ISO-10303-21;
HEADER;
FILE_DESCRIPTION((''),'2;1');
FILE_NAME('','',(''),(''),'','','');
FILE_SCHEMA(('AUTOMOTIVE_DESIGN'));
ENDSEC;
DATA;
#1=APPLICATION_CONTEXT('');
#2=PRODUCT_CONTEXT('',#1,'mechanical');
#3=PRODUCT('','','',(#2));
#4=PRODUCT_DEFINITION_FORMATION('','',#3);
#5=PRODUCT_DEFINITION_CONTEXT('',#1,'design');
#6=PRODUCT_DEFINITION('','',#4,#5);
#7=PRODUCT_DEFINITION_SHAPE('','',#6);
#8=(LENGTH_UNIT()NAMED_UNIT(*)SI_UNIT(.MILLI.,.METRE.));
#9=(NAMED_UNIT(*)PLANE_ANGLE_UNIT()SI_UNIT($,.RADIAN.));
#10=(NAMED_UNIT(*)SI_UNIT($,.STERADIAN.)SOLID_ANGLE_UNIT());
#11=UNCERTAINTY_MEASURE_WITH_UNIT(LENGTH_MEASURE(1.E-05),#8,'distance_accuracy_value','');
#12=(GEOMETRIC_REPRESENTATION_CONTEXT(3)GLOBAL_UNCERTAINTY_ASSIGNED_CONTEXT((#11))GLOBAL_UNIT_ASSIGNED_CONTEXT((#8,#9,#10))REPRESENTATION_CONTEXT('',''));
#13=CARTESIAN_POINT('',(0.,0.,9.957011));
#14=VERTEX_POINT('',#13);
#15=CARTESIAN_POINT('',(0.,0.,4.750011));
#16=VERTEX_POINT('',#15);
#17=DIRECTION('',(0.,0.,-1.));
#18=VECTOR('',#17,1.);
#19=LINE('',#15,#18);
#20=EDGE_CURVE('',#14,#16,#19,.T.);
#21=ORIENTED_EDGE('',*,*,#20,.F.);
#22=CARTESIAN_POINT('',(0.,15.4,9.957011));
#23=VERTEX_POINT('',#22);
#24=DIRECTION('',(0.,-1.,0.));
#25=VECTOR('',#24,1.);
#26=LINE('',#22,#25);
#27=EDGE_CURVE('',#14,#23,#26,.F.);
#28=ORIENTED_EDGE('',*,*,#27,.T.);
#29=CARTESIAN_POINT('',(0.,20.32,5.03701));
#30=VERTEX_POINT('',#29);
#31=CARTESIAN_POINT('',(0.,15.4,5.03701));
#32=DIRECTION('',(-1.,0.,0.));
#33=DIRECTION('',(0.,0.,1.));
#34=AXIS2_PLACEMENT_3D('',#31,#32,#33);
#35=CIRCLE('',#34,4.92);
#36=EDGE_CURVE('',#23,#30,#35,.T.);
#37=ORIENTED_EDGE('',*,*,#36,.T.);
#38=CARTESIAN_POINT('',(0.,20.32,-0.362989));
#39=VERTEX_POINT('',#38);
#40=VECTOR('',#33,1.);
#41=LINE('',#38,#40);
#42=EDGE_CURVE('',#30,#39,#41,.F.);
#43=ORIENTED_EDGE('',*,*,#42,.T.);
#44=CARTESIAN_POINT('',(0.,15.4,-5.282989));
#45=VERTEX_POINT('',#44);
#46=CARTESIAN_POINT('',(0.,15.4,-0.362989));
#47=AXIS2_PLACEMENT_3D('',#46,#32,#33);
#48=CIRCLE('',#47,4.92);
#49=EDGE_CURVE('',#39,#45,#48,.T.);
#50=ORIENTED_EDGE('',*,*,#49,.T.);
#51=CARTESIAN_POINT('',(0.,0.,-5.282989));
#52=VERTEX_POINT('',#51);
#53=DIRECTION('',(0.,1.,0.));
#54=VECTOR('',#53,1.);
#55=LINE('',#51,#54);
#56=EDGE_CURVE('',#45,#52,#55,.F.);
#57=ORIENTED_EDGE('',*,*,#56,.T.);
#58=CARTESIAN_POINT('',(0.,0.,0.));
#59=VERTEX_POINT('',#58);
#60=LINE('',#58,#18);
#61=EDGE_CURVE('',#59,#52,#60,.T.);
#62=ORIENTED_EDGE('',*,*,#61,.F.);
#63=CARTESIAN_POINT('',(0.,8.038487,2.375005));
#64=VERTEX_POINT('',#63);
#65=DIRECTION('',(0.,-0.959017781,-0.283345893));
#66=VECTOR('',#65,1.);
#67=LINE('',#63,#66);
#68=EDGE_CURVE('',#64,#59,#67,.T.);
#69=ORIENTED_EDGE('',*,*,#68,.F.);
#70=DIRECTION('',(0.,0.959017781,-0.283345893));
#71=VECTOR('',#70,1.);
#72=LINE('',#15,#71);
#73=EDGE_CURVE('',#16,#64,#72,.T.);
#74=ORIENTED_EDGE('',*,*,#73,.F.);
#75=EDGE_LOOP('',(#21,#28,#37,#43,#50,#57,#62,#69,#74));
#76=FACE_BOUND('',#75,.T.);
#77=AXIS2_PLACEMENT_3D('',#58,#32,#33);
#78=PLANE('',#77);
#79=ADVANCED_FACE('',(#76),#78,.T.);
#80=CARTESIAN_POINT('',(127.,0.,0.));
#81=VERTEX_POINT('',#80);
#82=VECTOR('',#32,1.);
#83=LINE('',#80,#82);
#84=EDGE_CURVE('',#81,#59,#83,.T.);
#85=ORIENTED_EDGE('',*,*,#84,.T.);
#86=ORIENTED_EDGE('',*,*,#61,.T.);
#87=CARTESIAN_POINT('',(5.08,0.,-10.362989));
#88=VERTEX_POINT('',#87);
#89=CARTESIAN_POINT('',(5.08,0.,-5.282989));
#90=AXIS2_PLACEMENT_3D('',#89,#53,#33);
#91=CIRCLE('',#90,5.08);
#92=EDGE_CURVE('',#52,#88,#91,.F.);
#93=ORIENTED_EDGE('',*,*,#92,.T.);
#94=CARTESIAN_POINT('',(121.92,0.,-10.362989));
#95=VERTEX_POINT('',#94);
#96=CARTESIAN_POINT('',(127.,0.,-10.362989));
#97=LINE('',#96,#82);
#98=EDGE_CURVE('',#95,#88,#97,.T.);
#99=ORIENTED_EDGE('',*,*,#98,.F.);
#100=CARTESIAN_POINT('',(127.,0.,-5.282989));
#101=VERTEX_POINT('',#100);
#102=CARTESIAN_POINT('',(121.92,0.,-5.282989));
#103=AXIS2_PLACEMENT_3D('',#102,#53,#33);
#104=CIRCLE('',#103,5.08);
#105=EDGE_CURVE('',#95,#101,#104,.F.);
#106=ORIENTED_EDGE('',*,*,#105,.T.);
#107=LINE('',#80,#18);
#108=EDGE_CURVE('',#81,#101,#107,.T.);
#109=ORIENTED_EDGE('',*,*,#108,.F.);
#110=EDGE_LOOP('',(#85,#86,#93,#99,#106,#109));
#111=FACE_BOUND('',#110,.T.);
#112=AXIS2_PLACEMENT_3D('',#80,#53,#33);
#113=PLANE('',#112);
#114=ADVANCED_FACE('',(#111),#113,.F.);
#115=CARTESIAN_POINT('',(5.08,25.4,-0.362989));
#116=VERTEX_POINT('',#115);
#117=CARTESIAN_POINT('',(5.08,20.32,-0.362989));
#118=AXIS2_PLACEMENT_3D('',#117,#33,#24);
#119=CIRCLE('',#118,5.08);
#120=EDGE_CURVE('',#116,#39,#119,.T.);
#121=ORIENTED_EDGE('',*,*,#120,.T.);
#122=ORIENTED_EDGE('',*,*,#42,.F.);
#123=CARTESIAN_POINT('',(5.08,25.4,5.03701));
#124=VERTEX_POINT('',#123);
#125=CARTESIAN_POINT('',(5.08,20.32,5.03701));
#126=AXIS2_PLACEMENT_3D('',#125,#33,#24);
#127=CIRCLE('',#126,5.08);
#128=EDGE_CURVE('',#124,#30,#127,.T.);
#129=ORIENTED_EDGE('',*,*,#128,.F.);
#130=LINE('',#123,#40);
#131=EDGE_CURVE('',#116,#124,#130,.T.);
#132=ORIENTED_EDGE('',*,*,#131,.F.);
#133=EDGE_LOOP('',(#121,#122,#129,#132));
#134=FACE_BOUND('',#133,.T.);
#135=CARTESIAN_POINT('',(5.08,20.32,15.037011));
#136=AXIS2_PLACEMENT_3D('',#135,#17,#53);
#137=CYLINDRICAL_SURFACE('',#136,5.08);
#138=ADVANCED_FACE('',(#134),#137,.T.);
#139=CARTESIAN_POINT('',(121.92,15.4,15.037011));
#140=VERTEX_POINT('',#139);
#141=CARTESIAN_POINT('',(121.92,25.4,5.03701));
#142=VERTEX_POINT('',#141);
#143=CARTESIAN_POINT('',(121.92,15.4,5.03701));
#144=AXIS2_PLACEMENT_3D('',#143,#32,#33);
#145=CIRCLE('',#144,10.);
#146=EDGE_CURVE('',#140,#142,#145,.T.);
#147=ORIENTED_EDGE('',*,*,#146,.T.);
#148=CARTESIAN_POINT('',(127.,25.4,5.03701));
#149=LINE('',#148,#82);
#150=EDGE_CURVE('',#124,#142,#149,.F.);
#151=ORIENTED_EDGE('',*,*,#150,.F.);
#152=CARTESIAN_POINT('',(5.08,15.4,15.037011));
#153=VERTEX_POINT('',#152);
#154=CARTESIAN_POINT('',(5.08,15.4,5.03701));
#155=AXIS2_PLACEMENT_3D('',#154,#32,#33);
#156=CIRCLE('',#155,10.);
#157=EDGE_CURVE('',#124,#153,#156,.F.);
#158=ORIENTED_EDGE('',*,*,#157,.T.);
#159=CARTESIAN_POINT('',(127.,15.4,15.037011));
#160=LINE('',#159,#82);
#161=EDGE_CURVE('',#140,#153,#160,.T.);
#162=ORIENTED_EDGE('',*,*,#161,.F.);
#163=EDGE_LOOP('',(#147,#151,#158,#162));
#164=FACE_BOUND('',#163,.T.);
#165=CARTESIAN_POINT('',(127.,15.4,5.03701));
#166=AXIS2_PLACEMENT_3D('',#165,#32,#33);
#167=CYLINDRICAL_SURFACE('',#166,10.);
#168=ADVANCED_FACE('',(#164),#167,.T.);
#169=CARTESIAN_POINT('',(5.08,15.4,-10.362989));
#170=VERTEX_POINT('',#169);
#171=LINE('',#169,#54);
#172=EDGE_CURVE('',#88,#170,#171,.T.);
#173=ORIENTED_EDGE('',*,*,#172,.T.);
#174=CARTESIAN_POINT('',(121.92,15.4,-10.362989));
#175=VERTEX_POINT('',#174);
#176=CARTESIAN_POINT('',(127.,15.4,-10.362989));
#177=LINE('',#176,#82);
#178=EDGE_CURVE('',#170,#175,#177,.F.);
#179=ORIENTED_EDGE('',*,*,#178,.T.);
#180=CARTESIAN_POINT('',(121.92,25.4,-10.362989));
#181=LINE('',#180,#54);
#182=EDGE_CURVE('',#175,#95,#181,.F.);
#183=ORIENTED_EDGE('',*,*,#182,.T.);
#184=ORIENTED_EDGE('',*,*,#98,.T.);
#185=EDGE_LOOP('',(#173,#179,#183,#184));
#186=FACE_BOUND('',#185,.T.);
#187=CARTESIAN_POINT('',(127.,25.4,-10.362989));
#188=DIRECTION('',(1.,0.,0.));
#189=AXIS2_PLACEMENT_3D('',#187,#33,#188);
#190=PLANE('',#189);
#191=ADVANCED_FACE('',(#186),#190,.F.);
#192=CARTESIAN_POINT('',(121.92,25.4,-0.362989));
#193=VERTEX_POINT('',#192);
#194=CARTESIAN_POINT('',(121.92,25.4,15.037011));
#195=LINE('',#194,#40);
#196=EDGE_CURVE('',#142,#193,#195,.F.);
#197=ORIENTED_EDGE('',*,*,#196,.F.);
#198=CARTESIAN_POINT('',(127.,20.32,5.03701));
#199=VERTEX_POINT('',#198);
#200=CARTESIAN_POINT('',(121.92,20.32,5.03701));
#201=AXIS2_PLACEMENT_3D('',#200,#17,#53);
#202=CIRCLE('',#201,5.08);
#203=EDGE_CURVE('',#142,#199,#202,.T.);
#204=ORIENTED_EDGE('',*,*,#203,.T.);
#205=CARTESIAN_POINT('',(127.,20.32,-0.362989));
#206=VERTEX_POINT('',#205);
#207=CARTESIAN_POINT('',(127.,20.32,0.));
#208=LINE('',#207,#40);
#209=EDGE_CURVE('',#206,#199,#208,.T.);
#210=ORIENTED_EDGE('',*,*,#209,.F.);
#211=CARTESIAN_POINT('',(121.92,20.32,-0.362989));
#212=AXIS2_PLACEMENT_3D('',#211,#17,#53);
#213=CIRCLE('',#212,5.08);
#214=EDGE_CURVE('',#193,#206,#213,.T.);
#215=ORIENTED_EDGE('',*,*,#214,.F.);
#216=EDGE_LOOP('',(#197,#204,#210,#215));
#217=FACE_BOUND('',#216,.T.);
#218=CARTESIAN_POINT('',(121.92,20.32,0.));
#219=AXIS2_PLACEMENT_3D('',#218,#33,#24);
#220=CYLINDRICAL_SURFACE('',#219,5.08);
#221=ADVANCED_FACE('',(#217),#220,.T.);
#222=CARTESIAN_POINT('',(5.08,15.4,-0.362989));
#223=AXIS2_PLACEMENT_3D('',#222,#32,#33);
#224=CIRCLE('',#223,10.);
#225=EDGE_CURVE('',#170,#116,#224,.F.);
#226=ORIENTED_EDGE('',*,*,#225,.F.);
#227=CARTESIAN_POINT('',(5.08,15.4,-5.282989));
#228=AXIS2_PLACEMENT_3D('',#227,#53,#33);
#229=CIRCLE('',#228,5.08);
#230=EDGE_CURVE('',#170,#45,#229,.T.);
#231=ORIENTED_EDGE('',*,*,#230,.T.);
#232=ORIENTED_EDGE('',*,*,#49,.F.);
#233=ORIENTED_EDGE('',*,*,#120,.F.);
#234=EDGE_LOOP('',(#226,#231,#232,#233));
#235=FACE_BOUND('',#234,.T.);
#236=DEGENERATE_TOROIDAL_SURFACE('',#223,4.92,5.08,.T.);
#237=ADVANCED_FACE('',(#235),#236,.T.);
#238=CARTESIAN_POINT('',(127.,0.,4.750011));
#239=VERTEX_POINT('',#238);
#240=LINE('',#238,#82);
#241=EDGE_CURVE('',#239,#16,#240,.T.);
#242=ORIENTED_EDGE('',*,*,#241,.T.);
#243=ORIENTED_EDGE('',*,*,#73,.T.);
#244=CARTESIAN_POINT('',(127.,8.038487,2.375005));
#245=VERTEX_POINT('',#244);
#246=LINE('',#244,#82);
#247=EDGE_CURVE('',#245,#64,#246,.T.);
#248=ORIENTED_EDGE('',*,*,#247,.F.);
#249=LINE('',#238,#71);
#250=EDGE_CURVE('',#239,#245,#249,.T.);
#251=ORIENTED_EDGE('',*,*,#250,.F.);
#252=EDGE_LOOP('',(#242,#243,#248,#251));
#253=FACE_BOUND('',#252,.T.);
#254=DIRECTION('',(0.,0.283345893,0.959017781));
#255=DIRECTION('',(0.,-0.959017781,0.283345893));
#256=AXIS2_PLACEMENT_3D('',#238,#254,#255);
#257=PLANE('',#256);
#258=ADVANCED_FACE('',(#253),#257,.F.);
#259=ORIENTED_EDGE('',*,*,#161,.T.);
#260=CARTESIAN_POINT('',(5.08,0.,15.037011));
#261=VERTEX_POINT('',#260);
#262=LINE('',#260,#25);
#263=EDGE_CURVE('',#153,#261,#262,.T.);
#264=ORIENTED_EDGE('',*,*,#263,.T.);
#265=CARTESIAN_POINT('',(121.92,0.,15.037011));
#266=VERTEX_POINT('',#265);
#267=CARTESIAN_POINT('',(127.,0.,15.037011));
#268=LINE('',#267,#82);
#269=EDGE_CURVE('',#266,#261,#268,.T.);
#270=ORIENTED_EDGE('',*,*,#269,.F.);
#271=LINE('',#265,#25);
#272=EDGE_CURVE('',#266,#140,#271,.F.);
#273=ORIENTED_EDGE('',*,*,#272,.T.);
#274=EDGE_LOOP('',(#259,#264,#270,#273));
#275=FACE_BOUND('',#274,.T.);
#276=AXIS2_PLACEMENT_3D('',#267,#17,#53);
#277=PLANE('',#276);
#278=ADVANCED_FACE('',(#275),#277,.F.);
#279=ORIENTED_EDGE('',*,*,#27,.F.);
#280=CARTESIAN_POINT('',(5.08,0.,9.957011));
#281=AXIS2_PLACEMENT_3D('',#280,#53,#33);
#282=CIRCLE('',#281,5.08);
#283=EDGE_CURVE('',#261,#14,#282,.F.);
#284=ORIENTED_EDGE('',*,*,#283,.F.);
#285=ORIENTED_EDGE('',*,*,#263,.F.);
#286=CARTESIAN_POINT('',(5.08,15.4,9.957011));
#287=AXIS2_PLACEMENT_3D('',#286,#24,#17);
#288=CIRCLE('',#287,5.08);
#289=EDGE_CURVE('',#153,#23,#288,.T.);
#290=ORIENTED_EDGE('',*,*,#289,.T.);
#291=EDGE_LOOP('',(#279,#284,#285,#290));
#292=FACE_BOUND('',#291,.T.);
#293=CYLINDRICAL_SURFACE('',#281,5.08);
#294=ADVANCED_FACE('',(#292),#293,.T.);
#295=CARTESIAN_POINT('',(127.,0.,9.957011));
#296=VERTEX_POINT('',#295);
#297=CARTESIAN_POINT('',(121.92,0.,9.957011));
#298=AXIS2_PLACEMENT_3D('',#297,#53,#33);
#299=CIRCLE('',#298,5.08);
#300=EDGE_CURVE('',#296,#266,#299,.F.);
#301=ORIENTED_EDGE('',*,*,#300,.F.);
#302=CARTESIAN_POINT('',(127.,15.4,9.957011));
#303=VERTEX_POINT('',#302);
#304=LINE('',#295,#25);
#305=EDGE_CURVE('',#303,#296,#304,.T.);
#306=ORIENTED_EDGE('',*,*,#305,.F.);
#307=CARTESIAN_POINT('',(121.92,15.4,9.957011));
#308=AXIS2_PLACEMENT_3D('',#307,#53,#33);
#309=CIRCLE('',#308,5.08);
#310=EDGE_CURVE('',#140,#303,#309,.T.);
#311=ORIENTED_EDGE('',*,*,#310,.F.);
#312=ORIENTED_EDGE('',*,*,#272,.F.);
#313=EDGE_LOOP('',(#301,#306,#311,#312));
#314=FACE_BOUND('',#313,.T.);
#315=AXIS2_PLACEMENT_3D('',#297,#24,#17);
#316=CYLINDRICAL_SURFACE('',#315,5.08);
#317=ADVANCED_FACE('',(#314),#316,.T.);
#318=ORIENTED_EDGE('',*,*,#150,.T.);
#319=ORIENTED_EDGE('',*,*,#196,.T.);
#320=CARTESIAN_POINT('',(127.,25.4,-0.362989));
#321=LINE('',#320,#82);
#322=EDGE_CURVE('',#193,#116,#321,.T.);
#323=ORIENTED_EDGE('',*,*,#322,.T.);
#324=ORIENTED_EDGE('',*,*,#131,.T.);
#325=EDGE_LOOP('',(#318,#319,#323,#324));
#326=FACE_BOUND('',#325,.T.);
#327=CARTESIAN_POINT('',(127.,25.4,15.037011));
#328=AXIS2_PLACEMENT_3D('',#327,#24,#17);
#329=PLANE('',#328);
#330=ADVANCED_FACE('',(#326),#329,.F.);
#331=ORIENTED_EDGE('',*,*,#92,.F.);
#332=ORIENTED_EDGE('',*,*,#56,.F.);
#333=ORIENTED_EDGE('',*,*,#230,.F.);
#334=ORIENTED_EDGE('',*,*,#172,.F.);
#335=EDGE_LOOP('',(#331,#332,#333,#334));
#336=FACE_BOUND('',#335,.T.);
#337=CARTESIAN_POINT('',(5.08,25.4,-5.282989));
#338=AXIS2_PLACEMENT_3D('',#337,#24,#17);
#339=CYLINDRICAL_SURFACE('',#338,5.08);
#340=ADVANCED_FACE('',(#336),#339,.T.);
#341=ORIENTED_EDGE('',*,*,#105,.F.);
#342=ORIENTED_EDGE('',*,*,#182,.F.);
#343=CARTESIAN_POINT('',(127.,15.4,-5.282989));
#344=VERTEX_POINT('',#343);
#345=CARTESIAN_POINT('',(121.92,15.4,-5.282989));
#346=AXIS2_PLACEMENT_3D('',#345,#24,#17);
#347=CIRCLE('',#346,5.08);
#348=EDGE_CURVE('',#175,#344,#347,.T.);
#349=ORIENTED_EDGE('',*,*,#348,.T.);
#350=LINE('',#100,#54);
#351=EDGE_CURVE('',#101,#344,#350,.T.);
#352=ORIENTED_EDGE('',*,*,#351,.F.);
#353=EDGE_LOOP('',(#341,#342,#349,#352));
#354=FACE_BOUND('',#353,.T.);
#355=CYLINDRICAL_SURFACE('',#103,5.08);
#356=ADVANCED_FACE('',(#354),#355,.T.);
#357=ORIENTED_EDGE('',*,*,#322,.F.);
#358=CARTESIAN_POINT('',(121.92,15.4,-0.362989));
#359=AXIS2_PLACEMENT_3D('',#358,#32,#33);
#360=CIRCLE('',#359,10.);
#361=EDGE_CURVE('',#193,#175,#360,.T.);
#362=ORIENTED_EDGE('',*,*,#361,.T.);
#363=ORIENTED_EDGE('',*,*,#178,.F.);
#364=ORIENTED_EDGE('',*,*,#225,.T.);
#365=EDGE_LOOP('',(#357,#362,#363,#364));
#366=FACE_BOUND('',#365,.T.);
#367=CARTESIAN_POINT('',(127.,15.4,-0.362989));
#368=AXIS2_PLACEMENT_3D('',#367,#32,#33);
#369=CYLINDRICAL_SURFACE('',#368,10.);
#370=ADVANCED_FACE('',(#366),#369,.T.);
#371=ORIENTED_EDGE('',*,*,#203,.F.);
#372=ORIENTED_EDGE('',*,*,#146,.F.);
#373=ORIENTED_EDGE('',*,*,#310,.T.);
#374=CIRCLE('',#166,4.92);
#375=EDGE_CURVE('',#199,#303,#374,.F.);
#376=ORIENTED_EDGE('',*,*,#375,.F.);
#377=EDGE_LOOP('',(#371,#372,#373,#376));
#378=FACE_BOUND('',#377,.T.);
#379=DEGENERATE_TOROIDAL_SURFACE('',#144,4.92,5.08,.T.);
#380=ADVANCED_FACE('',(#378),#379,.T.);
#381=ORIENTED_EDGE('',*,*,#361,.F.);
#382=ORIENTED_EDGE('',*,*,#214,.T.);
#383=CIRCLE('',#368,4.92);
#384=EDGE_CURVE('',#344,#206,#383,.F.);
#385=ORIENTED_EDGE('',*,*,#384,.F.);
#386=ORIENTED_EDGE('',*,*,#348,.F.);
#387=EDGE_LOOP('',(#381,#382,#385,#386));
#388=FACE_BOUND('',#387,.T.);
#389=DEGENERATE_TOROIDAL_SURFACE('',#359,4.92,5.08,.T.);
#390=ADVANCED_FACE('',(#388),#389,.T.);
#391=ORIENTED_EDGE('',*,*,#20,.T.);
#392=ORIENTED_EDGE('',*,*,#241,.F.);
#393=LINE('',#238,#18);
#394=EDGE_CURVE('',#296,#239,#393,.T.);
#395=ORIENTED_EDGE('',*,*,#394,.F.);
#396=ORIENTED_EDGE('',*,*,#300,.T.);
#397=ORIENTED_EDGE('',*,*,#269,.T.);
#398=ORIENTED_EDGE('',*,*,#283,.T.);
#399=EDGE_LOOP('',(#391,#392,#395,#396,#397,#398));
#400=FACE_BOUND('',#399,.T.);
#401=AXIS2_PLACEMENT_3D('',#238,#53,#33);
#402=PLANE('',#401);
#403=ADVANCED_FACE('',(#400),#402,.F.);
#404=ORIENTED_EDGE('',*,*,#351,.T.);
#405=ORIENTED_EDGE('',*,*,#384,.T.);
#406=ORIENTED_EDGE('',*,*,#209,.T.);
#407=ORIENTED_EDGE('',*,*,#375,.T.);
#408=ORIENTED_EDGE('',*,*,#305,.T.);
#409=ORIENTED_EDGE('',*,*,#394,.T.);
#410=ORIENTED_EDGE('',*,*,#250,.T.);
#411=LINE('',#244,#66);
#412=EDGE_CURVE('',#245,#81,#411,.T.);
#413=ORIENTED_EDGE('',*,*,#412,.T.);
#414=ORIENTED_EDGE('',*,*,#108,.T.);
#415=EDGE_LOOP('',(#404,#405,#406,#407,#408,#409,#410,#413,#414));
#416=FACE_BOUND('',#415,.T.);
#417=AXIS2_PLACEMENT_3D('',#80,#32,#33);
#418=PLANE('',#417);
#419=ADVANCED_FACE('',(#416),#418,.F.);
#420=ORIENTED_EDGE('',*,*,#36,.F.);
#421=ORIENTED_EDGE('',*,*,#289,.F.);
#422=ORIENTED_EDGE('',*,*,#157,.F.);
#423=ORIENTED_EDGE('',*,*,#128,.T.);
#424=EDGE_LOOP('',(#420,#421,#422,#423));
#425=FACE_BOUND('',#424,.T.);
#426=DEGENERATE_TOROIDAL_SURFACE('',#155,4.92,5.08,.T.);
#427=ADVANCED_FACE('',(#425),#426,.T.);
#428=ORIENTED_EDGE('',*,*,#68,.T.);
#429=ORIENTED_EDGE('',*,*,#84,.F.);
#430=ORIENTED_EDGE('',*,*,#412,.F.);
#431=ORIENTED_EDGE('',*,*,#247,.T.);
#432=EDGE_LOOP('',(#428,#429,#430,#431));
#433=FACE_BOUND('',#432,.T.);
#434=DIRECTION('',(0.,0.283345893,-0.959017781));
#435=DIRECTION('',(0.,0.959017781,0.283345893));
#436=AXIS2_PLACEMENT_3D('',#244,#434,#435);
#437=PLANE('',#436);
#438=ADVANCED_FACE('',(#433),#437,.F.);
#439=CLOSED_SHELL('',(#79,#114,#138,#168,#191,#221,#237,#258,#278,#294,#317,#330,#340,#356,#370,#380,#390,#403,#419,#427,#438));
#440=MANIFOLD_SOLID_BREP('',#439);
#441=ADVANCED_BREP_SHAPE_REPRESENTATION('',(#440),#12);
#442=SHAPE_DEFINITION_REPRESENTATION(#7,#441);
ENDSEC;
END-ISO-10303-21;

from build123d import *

# Parameters (mm, degrees)
BOSS_EXTRUDE1_DEPTH = 127
FILLET1_R           = 10.000000066
FILLET2_R           = 5.08


with BuildPart() as part:
    # Sketch1 → Boss-Extrude1 (new body)
    with BuildSketch(Plane(origin=(0, 0, 0), x_dir=(0, 0, -1), z_dir=(1, 0, 0))):
        Polygon((-4.750010552, 0), (-2.375005276, 8.038487043), (0, 0), (10.362989448, 0), (10.362989448, 25.4), (-15.037010552, 25.4), (-15.037010552, 0), align=None)
    extrude(amount=BOSS_EXTRUDE1_DEPTH)

    # Fillet1
    fillet1_edges = [part.edges().sort_by_distance(p)[0] for p in [
        (63.5, 25.4, 15.037010552),
        (63.5, 25.4, -10.362989448),
    ]]
    fillet(fillet1_edges, radius=FILLET1_R)

    # Fillet2
    fillet2_edges = [part.edges().sort_by_distance(p)[0] for p in [
        (0, 7.699999967, 15.037010552),
        (127, 7.699999967, 15.037010552),
        (0, 25.4, 2.337010552),
        (0, 22.471067793, -7.434057241),
        (0, 22.471067793, 12.108078344),
        (127, 25.4, 2.337010552),
        (127, 22.471067793, -7.434057241),
        (127, 22.471067793, 12.108078344),
        (127, 7.699999967, -10.362989448),
        (0, 7.699999967, -10.362989448),
    ]]
    fillet(fillet2_edges, radius=FILLET2_R)


solid = part.part
